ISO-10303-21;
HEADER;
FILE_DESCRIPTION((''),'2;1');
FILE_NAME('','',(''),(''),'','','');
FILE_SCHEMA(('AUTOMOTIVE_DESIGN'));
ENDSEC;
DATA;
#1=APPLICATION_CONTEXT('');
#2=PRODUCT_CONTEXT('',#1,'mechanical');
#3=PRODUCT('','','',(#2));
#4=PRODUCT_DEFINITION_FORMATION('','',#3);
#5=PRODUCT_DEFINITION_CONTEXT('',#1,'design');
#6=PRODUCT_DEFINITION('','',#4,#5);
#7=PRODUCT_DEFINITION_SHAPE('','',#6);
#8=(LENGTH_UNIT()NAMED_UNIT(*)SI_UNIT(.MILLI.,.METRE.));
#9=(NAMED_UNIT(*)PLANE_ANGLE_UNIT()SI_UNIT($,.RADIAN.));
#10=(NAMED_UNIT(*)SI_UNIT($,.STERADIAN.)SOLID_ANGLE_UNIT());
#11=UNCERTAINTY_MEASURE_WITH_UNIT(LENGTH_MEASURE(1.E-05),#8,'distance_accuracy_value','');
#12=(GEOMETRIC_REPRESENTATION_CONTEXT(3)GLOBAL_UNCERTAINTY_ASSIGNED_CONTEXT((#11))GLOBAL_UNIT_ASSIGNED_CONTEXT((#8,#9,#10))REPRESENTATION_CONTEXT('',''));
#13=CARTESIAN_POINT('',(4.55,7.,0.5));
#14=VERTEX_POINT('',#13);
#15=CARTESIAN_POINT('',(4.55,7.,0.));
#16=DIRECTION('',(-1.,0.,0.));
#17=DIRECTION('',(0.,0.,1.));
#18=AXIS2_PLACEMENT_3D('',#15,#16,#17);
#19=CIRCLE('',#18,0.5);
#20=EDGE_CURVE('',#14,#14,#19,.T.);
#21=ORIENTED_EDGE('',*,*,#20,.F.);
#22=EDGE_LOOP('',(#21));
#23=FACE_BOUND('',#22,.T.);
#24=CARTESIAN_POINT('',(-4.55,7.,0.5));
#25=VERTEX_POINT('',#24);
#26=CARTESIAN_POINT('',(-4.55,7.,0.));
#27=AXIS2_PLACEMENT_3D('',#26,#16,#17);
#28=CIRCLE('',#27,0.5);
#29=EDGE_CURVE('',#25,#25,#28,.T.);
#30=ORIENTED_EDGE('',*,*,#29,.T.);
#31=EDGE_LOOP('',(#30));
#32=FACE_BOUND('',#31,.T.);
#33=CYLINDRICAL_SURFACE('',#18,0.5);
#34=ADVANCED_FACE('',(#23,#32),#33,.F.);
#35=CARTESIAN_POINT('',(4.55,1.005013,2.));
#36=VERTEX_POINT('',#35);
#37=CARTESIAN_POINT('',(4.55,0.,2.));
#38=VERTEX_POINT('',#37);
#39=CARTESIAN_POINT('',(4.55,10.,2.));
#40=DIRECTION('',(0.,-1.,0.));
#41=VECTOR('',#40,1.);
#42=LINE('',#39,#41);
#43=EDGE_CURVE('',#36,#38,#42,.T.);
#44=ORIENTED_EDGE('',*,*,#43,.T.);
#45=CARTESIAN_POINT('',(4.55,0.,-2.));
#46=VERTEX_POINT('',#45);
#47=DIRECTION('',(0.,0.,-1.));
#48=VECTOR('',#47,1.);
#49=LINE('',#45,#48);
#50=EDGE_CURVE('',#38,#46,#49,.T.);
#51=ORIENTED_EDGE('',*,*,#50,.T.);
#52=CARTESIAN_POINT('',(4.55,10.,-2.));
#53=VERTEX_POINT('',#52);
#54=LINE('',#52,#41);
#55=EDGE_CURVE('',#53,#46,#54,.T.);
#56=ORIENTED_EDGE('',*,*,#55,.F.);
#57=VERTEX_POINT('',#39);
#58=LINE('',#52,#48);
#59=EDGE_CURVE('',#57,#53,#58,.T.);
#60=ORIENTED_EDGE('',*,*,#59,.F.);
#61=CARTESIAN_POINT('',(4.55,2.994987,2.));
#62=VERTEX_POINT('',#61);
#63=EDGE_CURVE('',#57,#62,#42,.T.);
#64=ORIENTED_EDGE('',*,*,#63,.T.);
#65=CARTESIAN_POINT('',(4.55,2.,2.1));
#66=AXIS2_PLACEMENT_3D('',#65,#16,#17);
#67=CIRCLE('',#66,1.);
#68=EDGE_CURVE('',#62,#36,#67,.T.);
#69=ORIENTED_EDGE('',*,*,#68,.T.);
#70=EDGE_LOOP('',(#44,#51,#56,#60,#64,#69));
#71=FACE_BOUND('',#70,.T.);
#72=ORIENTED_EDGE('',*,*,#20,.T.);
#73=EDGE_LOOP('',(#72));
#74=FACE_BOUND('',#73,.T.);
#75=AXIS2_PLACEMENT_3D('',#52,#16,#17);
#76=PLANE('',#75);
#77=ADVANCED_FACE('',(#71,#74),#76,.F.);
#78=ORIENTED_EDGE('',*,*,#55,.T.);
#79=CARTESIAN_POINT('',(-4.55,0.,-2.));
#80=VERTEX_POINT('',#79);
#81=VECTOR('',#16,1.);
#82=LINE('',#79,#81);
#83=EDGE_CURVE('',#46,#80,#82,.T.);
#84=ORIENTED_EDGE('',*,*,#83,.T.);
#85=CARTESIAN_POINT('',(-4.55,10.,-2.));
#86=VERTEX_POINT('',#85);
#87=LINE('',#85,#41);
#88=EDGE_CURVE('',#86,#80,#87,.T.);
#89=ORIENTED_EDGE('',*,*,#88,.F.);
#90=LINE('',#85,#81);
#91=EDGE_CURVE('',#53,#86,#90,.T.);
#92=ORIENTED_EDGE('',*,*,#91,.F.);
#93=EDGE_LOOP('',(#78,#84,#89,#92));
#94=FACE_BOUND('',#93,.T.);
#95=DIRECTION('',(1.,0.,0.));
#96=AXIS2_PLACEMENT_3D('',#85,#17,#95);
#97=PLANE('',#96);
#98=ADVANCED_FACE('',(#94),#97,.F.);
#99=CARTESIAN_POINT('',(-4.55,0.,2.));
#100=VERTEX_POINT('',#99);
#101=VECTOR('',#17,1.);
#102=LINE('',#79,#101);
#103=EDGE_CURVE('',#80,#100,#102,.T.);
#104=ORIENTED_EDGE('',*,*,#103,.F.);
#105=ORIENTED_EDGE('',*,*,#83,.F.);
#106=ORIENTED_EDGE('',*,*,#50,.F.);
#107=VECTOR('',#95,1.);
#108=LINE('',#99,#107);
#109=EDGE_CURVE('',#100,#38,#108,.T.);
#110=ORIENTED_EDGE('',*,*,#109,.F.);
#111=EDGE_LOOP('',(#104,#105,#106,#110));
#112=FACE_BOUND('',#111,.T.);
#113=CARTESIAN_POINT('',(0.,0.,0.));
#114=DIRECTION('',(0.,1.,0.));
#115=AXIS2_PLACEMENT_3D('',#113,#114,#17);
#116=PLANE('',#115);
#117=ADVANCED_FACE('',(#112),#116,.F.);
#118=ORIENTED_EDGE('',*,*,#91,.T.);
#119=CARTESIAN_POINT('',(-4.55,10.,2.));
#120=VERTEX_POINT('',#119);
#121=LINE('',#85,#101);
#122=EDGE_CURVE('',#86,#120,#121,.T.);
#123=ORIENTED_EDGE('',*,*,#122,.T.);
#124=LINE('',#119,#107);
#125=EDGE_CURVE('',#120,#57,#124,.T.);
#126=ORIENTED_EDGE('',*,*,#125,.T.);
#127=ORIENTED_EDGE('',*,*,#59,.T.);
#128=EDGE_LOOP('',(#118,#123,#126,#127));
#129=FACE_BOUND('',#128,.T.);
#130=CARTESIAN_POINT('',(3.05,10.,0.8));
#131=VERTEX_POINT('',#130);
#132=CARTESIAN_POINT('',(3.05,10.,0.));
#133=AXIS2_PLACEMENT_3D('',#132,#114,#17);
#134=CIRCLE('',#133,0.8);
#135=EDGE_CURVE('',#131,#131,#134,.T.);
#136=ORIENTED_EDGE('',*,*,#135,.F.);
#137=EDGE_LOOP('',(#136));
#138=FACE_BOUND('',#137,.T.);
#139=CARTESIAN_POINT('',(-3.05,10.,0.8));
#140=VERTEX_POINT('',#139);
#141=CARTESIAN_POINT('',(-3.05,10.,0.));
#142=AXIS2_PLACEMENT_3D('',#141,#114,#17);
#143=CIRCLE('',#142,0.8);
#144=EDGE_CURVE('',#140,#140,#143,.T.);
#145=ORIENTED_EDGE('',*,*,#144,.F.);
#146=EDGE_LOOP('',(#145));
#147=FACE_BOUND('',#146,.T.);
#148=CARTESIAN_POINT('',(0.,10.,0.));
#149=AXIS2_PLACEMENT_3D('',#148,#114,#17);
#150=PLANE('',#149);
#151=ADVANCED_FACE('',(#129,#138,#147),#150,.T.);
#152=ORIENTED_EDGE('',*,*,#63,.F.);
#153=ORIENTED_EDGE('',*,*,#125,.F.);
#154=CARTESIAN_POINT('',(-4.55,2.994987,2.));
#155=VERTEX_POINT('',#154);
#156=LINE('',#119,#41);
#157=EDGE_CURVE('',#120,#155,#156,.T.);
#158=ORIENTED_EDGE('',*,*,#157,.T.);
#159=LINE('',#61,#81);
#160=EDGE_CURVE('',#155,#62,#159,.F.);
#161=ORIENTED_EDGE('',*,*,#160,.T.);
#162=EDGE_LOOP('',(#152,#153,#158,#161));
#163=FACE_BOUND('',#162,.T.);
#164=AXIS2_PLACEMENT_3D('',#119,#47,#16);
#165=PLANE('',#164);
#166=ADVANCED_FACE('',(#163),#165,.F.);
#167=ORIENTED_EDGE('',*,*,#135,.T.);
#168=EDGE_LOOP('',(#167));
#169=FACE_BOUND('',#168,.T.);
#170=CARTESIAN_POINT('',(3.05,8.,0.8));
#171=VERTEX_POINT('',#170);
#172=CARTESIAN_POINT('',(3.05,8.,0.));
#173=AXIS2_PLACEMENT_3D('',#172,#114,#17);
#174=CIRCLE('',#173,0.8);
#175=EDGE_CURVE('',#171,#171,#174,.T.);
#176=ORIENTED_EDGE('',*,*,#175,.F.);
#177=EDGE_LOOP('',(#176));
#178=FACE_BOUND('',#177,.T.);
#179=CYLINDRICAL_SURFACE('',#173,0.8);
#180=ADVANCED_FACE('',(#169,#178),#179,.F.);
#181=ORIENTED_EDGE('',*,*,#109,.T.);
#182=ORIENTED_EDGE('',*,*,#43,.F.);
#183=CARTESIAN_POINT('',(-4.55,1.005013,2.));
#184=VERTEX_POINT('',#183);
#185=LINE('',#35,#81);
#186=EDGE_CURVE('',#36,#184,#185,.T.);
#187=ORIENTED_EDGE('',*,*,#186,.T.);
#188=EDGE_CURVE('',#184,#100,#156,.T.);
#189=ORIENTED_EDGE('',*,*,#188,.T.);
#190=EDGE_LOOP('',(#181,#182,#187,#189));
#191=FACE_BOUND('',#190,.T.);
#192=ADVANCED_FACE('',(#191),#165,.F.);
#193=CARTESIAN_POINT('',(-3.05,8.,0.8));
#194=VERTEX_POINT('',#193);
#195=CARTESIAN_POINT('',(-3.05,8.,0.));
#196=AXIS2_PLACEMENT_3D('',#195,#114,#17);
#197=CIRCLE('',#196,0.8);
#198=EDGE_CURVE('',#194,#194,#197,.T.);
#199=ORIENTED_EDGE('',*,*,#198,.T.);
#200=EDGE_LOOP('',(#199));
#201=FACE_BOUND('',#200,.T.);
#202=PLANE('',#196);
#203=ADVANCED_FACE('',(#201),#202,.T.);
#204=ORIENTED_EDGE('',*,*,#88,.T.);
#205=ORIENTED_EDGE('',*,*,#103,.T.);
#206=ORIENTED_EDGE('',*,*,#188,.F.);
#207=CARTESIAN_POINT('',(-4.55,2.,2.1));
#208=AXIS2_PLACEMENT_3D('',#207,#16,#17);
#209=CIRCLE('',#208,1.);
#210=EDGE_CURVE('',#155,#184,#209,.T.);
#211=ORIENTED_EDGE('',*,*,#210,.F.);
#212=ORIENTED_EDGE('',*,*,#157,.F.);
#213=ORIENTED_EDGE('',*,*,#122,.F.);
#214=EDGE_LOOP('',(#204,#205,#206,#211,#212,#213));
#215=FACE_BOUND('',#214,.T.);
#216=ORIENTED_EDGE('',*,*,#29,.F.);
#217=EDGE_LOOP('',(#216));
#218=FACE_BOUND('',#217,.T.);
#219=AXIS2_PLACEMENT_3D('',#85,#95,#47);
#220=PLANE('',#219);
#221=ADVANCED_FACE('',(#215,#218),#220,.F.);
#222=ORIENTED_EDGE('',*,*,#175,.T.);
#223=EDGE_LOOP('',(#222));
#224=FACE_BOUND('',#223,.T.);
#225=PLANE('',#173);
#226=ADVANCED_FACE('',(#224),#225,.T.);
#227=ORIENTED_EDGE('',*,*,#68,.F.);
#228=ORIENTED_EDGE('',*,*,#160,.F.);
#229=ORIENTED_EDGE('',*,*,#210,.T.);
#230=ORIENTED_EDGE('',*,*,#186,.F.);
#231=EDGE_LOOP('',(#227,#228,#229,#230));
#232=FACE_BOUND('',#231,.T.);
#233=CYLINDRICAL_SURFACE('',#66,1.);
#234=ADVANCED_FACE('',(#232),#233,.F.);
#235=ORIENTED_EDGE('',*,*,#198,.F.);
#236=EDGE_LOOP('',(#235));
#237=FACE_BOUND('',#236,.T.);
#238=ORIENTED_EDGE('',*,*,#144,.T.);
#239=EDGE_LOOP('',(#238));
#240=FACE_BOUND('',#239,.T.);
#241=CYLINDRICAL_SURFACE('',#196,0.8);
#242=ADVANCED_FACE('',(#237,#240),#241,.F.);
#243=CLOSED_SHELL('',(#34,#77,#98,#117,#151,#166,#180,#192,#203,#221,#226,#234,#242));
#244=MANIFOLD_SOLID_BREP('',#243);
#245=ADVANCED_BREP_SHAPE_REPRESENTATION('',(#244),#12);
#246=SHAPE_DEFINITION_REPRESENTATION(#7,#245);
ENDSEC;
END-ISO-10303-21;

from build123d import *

# Parameters (mm, degrees)
SKETCH_1_W          = 9.1
SKETCH_1_H          = 4
EXTRUDE_1_DEPTH     = 10
SKETCH_2_R          = 0.5
SKETCH_2_R_2        = 1
CUT_EXTRUDE_1_DEPTH = 14.667845478
SKETCH_3_R          = 0.8
CUT_EXTRUDE_2_DEPTH = 2


with BuildPart() as part:
    # 草图1 → 凸台-拉伸1 (new body)
    with BuildSketch(Plane(origin=(0, 0, 0), x_dir=(1, 0, 0), z_dir=(0, 1, 0))):
        Rectangle(SKETCH_1_W, SKETCH_1_H)
    extrude(amount=EXTRUDE_1_DEPTH)

    # 草图2 → 切除-拉伸1 (cut, through all)
    with BuildSketch(Plane.ZY.offset(4.55)):
        with Locations((0, 7)):
            Circle(SKETCH_2_R)
        with Locations((2.1, 2)):
            Circle(SKETCH_2_R_2)
    extrude(amount=-CUT_EXTRUDE_1_DEPTH, mode=Mode.SUBTRACT)

    # 草图3 → 切除-拉伸2 (cut)
    with BuildSketch(Plane(origin=(0, 10, 0), x_dir=(1, 0, 0), z_dir=(0, 1, 0))):
        with Locations((3.05, 0)):
            Circle(SKETCH_3_R)
        with Locations((-3.05, 0)):
            Circle(SKETCH_3_R)
    extrude(amount=-CUT_EXTRUDE_2_DEPTH, mode=Mode.SUBTRACT)


solid = part.part
